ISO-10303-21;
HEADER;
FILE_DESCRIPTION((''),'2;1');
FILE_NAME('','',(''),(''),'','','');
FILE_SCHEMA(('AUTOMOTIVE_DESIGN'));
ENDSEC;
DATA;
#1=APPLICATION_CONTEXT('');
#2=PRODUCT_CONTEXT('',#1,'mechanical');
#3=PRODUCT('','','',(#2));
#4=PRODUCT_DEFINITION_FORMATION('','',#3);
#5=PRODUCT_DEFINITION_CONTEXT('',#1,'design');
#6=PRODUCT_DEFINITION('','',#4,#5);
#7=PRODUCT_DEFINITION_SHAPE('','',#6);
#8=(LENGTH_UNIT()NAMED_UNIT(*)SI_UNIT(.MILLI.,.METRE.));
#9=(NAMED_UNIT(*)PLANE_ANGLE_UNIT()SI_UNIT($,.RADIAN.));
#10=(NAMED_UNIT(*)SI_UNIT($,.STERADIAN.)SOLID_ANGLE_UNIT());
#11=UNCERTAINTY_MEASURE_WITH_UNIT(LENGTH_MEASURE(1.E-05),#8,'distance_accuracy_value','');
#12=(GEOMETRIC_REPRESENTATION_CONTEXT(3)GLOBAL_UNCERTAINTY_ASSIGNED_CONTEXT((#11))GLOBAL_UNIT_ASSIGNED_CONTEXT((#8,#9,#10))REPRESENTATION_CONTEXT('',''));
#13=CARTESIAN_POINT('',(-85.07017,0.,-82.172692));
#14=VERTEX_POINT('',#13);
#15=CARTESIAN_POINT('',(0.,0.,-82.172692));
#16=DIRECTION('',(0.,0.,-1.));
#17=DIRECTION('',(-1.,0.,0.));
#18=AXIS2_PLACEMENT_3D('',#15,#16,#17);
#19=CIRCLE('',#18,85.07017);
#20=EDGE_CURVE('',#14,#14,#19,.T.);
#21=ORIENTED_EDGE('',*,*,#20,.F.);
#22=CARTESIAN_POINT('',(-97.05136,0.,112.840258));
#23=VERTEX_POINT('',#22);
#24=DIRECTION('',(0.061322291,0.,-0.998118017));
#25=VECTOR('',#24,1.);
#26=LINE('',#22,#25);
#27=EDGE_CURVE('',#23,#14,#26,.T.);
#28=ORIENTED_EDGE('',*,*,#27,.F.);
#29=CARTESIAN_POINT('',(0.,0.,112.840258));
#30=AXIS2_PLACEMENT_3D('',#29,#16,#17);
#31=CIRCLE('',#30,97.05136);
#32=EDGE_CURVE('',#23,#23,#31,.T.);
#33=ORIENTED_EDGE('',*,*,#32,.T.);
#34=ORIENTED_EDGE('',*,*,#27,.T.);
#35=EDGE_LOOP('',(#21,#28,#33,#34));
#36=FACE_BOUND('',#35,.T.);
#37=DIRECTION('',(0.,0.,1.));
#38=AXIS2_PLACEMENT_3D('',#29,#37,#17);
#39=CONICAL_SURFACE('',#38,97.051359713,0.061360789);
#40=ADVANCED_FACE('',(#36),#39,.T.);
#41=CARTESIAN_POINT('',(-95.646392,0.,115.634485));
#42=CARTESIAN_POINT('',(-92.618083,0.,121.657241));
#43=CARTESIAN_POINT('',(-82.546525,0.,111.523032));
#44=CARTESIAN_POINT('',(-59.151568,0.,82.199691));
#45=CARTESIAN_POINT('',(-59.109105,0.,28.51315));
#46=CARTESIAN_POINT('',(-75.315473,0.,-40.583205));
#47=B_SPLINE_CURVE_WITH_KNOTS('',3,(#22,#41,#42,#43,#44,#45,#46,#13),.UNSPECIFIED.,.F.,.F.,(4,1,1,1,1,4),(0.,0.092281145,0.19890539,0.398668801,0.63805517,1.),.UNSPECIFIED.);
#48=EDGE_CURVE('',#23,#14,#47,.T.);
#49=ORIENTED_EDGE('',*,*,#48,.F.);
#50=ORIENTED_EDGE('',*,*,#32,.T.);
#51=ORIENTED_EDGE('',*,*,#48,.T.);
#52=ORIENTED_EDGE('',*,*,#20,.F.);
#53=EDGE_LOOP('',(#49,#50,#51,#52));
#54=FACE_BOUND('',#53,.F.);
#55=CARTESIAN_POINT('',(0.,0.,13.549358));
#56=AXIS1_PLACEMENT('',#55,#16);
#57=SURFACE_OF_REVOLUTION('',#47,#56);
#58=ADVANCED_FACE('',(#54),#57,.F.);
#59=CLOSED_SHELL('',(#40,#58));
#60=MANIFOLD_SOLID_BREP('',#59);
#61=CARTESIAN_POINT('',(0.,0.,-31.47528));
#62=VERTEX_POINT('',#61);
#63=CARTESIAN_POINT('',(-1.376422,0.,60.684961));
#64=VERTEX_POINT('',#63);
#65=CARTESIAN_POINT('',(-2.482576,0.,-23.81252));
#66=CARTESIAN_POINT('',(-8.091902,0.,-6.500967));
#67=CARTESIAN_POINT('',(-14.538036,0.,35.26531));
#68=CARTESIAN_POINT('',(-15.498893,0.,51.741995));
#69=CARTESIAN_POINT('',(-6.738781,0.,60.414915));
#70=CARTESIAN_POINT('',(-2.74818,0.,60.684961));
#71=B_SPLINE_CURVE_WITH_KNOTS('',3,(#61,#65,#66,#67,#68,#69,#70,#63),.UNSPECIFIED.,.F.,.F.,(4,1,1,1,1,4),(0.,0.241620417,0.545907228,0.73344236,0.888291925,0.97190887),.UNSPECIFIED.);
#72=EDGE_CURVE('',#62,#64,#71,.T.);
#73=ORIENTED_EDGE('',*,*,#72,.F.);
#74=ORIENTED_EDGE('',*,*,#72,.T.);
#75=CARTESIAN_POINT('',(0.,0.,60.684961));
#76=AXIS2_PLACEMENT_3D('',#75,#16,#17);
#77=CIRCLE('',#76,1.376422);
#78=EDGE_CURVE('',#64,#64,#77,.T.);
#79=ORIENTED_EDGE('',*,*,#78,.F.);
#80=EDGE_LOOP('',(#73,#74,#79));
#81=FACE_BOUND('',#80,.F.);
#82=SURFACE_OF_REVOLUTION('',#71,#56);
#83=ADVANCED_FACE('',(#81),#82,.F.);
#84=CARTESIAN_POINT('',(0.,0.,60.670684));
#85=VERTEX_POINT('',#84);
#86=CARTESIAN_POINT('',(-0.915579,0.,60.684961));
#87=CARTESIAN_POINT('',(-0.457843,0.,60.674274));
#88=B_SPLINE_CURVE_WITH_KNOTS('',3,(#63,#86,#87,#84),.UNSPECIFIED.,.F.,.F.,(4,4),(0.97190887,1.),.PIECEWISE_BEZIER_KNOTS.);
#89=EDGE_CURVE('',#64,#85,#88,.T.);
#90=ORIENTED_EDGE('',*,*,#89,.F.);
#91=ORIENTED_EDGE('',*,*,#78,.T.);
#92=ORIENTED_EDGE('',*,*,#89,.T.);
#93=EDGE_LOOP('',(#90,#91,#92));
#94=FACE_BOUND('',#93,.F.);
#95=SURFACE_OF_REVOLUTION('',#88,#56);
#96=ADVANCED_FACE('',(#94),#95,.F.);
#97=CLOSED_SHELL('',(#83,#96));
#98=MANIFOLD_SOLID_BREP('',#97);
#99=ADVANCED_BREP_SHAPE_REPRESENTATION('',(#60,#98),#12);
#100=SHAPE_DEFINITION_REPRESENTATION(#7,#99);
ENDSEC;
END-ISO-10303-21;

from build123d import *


with BuildPart() as f1:
    # F0 (on Front) → F1 (revolve)
    with BuildSketch(Plane.XZ):
        with BuildLine():
            add(Edge.make_bspline(
                [(-97.0513597131, 112.840257585), (-95.6463917087, 115.6344849529), (-92.6180832314, 121.6572409401), (-82.5465252089, 111.5230322218), (-59.1515676118, 82.1996913403), (-59.1091045794, 28.5131496377), (-75.315472611, -40.5832054531), (-85.0701704621, -82.1726918221)],
                knots=[0, 0, 0, 0, 0.092281145, 0.1989053899, 0.3986688013, 0.6380551697, 1, 1, 1, 1], degree=3))
            Line((-97.0513597131, 112.840257585), (-85.0701704621, -82.1726918221))
        make_face()
    revolve(axis=Axis((0, 0, 13.5493576527), (0, 0, -1)))


with BuildPart() as f1b:
    # F0 (on Front) → F1, piece 2 (revolve)
    with BuildSketch(Plane.XZ):
        with BuildLine():
            Line((0, -31.4752803144), (0, 60.6706840007))
            add(Edge.make_bspline(
                [(-1.3764216452, 60.6849613138), (-0.9155791269, 60.6849613015), (-0.4578429921, 60.6742743039), (0, 60.6706840007)],
                knots=[0.9719088696, 0.9719088696, 0.9719088696, 0.9719088696, 1, 1, 1, 1], degree=3))
            add(Edge.make_bspline(
                [(0, -31.4752803144), (-2.4825763596, -23.8125202245), (-8.0919024132, -6.5009672274), (-14.5380355318, 35.2653095242), (-15.4988932736, 51.7419949444), (-6.7387813079, 60.4149150075), (-2.7481800147, 60.6849613503), (-1.3764216452, 60.6849613138)],
                knots=[0, 0, 0, 0, 0.2416204168, 0.5459072278, 0.7334423603, 0.8882919251, 0.9719088696, 0.9719088696, 0.9719088696, 0.9719088696], degree=3))
        make_face()
    revolve(axis=Axis((0, 0, 13.5493576527), (0, 0, -1)))


solid = Compound([f1.part, f1b.part])
